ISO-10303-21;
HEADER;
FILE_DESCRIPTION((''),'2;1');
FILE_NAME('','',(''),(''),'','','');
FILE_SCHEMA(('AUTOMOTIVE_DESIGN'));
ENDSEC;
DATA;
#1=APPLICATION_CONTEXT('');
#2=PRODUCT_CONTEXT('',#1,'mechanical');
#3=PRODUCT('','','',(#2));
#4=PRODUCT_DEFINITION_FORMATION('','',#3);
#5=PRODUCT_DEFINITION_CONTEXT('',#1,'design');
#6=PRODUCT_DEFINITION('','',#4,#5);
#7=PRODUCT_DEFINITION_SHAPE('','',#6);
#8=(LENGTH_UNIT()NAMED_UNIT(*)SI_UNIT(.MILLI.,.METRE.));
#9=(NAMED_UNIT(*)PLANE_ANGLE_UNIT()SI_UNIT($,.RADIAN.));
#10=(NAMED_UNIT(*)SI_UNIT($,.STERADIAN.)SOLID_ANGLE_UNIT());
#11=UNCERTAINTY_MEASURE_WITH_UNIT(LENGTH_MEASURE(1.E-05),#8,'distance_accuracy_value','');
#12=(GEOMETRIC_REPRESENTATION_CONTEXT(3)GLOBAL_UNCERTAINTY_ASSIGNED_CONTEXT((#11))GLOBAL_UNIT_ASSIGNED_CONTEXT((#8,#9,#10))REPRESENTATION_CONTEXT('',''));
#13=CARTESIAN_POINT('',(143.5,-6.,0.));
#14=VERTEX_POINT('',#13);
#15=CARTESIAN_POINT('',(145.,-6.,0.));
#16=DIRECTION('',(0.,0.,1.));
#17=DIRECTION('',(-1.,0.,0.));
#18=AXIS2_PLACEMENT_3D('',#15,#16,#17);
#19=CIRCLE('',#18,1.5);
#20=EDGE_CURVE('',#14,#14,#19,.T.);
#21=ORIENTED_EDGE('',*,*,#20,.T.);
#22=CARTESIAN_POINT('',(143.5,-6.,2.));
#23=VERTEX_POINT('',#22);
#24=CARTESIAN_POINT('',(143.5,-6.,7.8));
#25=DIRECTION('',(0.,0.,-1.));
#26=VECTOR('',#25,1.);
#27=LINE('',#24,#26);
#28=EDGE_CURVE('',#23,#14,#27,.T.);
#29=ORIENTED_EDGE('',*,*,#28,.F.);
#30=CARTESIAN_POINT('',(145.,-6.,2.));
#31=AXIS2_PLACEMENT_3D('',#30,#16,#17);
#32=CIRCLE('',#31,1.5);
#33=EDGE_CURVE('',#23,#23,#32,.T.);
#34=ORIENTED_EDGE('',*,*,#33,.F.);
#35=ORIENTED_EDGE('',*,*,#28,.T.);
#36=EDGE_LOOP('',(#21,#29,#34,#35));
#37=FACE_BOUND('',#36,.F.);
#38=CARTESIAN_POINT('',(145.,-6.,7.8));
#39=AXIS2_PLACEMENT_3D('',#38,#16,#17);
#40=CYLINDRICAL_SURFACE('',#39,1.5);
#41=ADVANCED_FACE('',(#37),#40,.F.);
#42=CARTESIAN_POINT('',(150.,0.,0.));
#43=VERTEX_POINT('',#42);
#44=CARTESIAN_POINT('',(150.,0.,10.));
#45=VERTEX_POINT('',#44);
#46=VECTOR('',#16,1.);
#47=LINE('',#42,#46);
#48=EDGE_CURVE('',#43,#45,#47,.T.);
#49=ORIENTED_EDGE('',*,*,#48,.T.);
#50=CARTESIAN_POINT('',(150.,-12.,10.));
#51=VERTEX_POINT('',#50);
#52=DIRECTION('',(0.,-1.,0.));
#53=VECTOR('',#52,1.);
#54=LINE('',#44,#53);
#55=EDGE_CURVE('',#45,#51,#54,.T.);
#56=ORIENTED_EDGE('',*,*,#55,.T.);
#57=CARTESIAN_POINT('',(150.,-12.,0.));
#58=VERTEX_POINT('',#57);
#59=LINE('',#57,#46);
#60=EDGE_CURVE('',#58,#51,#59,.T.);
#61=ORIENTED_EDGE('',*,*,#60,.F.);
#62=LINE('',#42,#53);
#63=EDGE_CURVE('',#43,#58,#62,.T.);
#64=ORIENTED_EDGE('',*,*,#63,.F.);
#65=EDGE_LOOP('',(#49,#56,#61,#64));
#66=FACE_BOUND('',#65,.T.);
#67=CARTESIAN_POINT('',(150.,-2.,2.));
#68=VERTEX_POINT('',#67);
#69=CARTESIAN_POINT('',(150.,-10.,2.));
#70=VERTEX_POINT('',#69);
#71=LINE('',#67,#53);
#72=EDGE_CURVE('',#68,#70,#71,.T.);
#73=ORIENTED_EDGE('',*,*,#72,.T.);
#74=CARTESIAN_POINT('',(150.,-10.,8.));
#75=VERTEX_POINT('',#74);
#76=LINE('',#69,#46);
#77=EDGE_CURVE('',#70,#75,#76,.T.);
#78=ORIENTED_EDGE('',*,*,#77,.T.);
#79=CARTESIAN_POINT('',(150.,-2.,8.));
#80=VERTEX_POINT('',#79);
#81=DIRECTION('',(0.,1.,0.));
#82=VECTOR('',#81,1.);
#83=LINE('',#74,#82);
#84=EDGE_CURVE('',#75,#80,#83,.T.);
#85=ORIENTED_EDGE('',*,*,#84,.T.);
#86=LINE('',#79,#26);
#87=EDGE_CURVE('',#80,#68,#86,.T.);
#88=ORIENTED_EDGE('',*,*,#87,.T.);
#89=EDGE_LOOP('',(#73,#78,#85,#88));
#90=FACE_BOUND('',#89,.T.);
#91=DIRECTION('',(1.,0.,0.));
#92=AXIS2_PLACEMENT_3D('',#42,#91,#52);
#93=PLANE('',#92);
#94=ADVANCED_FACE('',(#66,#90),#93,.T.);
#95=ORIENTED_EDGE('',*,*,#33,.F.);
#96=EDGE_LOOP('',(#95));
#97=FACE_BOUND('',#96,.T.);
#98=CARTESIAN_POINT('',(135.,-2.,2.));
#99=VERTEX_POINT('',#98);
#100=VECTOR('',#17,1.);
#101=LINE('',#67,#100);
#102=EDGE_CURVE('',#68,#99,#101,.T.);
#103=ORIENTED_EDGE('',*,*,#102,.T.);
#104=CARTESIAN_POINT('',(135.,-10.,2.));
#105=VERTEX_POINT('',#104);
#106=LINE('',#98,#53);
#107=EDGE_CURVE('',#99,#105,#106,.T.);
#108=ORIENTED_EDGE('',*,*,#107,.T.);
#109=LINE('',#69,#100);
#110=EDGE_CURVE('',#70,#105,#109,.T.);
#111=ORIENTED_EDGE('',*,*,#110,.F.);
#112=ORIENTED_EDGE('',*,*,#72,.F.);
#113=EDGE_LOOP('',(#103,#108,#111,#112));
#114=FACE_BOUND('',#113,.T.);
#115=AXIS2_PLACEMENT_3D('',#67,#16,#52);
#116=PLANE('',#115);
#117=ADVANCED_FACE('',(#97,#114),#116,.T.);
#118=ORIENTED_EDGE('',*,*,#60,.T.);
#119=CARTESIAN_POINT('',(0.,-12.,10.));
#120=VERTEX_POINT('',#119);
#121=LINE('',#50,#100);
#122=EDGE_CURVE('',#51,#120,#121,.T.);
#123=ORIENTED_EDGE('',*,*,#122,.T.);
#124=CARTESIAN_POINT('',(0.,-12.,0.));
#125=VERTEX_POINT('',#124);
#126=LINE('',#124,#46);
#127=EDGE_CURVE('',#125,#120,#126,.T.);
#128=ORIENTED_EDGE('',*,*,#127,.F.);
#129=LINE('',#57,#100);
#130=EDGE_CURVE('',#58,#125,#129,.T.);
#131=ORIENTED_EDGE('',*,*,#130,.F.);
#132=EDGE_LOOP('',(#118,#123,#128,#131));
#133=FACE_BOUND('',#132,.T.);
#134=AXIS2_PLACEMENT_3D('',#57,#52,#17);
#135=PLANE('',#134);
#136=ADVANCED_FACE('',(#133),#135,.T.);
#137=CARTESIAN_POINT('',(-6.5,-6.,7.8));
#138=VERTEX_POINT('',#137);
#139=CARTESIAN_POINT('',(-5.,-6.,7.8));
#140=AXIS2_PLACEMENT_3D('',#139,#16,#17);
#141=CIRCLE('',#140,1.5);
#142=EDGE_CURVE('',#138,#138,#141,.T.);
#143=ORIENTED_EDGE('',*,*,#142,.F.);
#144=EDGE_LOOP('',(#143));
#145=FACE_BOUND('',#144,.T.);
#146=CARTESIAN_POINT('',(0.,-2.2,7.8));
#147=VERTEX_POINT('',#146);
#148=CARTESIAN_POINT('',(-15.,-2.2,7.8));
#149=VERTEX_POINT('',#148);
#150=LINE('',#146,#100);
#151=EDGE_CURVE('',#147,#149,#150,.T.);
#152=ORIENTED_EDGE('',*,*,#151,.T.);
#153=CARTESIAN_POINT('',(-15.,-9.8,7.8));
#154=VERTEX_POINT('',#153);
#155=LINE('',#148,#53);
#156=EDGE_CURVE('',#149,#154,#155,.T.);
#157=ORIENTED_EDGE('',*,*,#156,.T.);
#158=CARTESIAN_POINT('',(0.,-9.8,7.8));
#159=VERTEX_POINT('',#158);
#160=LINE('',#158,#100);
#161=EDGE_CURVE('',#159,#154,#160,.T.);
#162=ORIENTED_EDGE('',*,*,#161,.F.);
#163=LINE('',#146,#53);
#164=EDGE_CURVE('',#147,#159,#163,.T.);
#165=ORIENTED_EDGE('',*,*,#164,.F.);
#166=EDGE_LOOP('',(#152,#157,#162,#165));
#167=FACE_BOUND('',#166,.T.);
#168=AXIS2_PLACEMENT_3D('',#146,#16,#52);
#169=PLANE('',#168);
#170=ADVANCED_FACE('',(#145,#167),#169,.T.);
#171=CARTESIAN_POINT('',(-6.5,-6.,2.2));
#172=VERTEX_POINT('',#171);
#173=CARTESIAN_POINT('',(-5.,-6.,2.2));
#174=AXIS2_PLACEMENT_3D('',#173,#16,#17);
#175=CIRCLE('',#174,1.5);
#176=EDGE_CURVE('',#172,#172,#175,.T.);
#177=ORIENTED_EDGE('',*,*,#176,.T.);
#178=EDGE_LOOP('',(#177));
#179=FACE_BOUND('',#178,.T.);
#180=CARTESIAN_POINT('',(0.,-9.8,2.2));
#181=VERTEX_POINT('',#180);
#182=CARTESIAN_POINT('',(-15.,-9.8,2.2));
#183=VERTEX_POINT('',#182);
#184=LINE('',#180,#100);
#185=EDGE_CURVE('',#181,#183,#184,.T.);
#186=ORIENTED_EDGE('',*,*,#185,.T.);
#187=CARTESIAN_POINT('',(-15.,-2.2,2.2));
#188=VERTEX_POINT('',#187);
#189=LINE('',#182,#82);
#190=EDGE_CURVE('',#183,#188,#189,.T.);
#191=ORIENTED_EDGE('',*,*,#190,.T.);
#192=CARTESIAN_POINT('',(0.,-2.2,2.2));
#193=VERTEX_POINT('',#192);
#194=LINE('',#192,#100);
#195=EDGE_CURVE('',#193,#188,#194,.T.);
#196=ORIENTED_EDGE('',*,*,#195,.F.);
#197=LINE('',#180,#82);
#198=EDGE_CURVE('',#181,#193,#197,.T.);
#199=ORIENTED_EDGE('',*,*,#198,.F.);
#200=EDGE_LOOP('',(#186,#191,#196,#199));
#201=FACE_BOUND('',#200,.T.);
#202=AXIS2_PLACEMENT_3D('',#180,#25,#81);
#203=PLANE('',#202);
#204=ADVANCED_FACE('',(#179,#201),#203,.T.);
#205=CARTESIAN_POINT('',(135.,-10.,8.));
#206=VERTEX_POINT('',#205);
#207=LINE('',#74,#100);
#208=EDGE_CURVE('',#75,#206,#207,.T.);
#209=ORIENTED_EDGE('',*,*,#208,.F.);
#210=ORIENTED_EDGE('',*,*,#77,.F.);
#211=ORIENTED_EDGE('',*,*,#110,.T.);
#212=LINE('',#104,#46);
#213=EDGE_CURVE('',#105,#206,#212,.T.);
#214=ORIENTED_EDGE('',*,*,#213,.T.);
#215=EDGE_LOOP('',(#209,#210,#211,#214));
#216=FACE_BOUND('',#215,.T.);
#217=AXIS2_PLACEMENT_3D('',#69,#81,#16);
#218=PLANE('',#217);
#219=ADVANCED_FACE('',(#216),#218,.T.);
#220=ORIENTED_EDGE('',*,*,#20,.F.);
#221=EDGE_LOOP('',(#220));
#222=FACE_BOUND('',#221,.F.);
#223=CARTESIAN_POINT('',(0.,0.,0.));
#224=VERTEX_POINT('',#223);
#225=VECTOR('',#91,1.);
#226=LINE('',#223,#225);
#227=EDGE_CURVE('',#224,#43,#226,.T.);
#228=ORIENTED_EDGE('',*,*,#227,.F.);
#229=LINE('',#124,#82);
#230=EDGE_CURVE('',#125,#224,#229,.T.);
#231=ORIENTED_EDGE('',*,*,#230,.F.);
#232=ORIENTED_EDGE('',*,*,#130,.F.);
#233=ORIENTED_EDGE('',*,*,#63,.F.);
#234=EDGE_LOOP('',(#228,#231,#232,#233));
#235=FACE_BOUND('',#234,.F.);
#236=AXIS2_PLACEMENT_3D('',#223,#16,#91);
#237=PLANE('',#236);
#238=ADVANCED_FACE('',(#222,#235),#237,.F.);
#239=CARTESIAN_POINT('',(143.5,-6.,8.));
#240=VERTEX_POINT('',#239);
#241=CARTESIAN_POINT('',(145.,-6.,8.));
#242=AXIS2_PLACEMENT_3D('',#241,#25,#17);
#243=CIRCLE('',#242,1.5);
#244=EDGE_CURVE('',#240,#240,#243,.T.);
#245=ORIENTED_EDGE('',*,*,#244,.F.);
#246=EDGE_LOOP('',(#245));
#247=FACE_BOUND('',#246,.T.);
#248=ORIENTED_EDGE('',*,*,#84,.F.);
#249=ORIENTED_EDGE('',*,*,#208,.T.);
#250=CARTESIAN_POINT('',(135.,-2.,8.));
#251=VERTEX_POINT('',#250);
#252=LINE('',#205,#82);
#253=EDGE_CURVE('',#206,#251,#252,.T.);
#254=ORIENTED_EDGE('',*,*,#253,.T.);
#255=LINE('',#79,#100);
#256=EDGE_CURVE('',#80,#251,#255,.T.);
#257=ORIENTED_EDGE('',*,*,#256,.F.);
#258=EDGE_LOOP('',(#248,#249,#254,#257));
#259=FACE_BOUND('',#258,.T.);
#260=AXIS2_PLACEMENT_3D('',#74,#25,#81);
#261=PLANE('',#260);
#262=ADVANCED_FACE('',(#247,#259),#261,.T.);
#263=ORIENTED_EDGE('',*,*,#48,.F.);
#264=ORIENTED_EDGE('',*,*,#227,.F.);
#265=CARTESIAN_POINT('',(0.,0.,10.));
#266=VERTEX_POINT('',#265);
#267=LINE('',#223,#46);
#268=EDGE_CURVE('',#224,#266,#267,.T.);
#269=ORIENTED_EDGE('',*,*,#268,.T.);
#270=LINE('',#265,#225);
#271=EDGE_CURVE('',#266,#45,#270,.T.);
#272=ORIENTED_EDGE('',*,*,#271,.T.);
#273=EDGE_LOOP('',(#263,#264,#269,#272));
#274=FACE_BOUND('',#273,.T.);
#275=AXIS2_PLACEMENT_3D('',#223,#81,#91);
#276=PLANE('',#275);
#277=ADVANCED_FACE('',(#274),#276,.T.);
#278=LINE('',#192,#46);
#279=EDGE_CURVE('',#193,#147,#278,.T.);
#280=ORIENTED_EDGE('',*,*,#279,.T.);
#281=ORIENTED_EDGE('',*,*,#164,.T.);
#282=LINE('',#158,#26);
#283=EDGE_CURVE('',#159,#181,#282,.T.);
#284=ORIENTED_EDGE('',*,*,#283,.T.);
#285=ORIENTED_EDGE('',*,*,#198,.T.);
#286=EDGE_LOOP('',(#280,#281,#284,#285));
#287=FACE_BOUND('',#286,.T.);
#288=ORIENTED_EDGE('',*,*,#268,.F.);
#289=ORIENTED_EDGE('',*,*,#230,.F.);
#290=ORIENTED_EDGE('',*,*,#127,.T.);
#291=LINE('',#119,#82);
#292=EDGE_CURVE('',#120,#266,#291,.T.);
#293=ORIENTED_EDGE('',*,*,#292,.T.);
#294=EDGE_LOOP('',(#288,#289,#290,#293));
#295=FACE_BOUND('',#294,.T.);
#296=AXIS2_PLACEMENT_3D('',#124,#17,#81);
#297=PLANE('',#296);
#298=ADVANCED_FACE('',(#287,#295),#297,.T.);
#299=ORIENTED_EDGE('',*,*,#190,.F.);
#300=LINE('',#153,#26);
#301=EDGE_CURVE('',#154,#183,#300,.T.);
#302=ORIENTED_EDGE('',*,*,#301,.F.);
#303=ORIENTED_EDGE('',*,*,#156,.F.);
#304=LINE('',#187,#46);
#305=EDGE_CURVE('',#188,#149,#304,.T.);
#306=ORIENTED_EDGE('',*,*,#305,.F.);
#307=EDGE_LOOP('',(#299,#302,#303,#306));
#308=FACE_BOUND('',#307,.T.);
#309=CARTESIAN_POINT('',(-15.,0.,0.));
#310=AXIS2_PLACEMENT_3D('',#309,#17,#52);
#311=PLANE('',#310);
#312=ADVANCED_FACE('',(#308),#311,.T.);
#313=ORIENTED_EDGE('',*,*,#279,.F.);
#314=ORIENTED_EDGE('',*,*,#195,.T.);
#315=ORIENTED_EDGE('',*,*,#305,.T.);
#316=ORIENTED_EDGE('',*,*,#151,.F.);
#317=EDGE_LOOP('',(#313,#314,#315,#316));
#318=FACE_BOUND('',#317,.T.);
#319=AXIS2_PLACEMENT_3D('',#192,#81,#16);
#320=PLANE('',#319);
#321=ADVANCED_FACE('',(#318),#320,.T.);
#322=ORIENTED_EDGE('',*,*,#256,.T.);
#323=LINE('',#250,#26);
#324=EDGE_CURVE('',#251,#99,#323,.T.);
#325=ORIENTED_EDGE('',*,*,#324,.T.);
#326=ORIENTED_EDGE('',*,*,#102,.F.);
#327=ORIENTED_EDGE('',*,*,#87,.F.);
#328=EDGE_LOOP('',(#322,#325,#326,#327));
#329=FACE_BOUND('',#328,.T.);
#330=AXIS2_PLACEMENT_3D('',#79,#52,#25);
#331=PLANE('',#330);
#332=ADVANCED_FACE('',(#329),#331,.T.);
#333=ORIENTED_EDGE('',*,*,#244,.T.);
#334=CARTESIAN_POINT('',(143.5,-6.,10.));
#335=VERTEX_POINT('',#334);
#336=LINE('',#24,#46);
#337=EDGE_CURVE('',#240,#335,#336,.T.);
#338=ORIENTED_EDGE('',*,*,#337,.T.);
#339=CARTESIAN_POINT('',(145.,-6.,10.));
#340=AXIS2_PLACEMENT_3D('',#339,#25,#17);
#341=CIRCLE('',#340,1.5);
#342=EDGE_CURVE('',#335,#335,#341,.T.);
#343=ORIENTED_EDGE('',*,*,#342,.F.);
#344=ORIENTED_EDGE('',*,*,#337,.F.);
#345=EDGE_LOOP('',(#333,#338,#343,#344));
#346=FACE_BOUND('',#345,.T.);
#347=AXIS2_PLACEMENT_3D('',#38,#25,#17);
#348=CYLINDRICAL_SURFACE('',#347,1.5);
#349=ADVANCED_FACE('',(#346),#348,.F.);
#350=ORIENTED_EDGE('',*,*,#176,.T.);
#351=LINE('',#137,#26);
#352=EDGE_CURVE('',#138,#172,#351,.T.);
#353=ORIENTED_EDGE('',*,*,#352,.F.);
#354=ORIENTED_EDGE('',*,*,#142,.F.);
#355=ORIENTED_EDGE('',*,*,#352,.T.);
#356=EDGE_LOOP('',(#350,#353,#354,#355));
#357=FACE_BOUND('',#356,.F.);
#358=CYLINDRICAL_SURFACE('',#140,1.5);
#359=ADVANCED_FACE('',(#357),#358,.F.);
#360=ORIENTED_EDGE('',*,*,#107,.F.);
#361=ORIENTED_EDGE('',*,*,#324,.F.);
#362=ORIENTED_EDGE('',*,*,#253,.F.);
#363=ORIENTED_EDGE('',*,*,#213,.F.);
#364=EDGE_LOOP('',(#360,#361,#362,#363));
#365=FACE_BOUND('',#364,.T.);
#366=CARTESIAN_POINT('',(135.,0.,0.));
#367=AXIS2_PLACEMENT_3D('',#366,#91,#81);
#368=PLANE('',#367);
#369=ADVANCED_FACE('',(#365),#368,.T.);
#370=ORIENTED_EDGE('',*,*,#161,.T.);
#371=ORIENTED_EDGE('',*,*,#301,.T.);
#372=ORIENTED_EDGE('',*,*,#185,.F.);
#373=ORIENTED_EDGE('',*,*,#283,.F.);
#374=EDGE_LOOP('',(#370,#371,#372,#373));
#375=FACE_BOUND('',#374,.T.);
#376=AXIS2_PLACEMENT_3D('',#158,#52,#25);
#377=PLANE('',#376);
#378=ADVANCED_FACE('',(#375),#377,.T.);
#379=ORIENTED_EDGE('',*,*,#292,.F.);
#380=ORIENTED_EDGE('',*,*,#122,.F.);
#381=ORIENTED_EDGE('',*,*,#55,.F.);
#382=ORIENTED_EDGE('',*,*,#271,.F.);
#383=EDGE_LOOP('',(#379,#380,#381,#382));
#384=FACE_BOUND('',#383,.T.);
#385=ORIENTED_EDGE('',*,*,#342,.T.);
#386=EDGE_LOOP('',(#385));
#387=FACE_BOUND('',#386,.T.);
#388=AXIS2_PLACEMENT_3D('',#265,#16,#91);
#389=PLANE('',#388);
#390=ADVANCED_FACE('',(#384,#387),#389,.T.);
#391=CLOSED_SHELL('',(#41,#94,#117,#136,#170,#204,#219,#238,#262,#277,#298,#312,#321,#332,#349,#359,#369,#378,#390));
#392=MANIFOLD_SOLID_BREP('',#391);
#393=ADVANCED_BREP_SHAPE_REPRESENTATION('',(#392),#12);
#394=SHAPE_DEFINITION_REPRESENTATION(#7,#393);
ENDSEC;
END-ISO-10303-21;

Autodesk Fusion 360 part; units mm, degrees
sketch "Sketch1" plane through (0, 0, 0) normal (0, 0, 1) x (1, 0, 0)
  line L0 (0, 0) -> (150, 0)
  line L1 (150, 0) -> (150, -12)
  line L2 (150, -12) -> (0, -12)
  line L3 (0, -12) -> (0, 0)
  dimension "d16" = 150
  dimension "d17" = 12
extrude "Extrude1" add sketch "Sketch1" along normal blind 10
sketch "Sketch3" plane through (0, 0, 0) normal (-1, 0, 0) x (0, -1, 0)
  line L0 (0, 0) -> (12, 0)
  line L1 (12, 0) -> (12, 10)
  line L2 (12, 10) -> (0, 10)
  line L3 (0, 10) -> (0, 0)
  line L4 (2.2, 7.8) -> (9.8, 7.8)
  line L5 (9.8, 7.8) -> (9.8, 2.2)
  line L6 (9.8, 2.2) -> (2.2, 2.2)
  line L7 (2.2, 2.2) -> (2.2, 7.8)
  dimension "d22" = 7.6
  dimension "d23" = 5.6
  dimension "d26" = 2.2
  dimension "d27" = 2.2
extrude "Extrude2" add sketch "Sketch3" along normal blind 15 contours L4 L5 L6 L7
sketch "Sketch4" plane through (150, 0, 0) normal (1, 0, 0) x (0, 1, 0)
  line L0 (-12, 0) -> (0, 0)
  line L1 (0, 0) -> (0, 10)
  line L2 (0, 10) -> (-12, 10)
  line L3 (-12, 10) -> (-12, 0)
  line L4 (-10, 8) -> (-2, 8)
  line L5 (-2, 8) -> (-2, 2)
  line L6 (-2, 2) -> (-10, 2)
  line L7 (-10, 2) -> (-10, 8)
  dimension "d30" = 6
  dimension "d31" = 8
  dimension "d34" = 2
  dimension "d35" = 2
extrude "Extrude3" cut sketch "Sketch4" against normal blind 15 contours L4 L5 L6 L7
sketch "Sketch5" plane through (0, 0, 7.8) normal (0, 0, 1) x (-1, 0, 0)
  line L0 (0, 2.2) -> (15, 2.2)
  line L1 (15, 2.2) -> (15, 9.8)
  line L2 (15, 9.8) -> (0, 9.8)
  circle A0 centre (5, 6) radius 1.5
  circle A1 centre (-145, 6) radius 1.5
  line L3 (-150, 12) -> (-150, 0)
  line L4 (-150, 0) -> (0, 0)
  line L5 (0, 9.8) -> (0, 2.2)
  dimension "d37" = 3
  dimension "d38" = 3
  dimension "d43" = 10
  dimension "d44" = 3.8
  dimension "d45" = 5
  dimension "d46" = 6
extrude "Extrude4" cut sketch "Sketch5" against normal blind 100 contours A0
extrude "Extrude5" cut sketch "Sketch5" along normal mid plane 200 contours A1
equation "main_length = 150 mm"
equation "height = 10 mm"
equation "dowel_edge_width = 7.6 mm"
equation "dowel_edge_length = 15 mm"
equation "length = 180 mm"
equation "edge_hole_radius = 1.5 mm"
equation "dowel_edge_hole_big_distance = 10 mm"
equation "dowel_edge_hole_small_distance = dowel_edge_width / 2"
equation "hollow_edge_length = 15 mm"
equation "hollow_edge_width = 8 mm"
equation "width = 12 mm"
equation "dowel_edge_height = 5.6 mm"
equation "hollow_edge_height = 6 mm"
equation "hollow_edge_hole_big_distance = 5 mm"
equation "hollow_edge_hole_small_distance = width / 2"
equation "d16 = main_length"
equation "d17 = width"
equation "d18 = height"
equation "dowel_edge_small_distance = ( width - dowel_edge_width ) / 2"
equation "dowel_edge_big_distance = ( height - dowel_edge_height ) / 2"
equation "d22 = dowel_edge_width"
equation "d23 = dowel_edge_height"
equation "d24 = dowel_edge_length"
equation "d26 = dowel_edge_big_distance"
equation "d27 = dowel_edge_small_distance"
equation "hollow_edge_small_distance = ( width - hollow_edge_width ) / 2"
equation "hollow_edge_big_distance = ( height - hollow_edge_height ) / 2"
equation "d30 = hollow_edge_height"
equation "d31 = hollow_edge_width"
equation "d32 = -hollow_edge_length"
equation "d34 = hollow_edge_big_distance"
equation "d35 = hollow_edge_small_distance"
equation "extra = 100 mm"
equation "d37 = edge_hole_radius * 2"
equation "d38 = edge_hole_radius * 2"
equation "d39 = -extra"
equation "d41 = extra"
equation "d43 = dowel_edge_hole_big_distance"
equation "d44 = dowel_edge_hole_small_distance"
equation "d45 = hollow_edge_hole_big_distance"
equation "d46 = hollow_edge_hole_small_distance"
